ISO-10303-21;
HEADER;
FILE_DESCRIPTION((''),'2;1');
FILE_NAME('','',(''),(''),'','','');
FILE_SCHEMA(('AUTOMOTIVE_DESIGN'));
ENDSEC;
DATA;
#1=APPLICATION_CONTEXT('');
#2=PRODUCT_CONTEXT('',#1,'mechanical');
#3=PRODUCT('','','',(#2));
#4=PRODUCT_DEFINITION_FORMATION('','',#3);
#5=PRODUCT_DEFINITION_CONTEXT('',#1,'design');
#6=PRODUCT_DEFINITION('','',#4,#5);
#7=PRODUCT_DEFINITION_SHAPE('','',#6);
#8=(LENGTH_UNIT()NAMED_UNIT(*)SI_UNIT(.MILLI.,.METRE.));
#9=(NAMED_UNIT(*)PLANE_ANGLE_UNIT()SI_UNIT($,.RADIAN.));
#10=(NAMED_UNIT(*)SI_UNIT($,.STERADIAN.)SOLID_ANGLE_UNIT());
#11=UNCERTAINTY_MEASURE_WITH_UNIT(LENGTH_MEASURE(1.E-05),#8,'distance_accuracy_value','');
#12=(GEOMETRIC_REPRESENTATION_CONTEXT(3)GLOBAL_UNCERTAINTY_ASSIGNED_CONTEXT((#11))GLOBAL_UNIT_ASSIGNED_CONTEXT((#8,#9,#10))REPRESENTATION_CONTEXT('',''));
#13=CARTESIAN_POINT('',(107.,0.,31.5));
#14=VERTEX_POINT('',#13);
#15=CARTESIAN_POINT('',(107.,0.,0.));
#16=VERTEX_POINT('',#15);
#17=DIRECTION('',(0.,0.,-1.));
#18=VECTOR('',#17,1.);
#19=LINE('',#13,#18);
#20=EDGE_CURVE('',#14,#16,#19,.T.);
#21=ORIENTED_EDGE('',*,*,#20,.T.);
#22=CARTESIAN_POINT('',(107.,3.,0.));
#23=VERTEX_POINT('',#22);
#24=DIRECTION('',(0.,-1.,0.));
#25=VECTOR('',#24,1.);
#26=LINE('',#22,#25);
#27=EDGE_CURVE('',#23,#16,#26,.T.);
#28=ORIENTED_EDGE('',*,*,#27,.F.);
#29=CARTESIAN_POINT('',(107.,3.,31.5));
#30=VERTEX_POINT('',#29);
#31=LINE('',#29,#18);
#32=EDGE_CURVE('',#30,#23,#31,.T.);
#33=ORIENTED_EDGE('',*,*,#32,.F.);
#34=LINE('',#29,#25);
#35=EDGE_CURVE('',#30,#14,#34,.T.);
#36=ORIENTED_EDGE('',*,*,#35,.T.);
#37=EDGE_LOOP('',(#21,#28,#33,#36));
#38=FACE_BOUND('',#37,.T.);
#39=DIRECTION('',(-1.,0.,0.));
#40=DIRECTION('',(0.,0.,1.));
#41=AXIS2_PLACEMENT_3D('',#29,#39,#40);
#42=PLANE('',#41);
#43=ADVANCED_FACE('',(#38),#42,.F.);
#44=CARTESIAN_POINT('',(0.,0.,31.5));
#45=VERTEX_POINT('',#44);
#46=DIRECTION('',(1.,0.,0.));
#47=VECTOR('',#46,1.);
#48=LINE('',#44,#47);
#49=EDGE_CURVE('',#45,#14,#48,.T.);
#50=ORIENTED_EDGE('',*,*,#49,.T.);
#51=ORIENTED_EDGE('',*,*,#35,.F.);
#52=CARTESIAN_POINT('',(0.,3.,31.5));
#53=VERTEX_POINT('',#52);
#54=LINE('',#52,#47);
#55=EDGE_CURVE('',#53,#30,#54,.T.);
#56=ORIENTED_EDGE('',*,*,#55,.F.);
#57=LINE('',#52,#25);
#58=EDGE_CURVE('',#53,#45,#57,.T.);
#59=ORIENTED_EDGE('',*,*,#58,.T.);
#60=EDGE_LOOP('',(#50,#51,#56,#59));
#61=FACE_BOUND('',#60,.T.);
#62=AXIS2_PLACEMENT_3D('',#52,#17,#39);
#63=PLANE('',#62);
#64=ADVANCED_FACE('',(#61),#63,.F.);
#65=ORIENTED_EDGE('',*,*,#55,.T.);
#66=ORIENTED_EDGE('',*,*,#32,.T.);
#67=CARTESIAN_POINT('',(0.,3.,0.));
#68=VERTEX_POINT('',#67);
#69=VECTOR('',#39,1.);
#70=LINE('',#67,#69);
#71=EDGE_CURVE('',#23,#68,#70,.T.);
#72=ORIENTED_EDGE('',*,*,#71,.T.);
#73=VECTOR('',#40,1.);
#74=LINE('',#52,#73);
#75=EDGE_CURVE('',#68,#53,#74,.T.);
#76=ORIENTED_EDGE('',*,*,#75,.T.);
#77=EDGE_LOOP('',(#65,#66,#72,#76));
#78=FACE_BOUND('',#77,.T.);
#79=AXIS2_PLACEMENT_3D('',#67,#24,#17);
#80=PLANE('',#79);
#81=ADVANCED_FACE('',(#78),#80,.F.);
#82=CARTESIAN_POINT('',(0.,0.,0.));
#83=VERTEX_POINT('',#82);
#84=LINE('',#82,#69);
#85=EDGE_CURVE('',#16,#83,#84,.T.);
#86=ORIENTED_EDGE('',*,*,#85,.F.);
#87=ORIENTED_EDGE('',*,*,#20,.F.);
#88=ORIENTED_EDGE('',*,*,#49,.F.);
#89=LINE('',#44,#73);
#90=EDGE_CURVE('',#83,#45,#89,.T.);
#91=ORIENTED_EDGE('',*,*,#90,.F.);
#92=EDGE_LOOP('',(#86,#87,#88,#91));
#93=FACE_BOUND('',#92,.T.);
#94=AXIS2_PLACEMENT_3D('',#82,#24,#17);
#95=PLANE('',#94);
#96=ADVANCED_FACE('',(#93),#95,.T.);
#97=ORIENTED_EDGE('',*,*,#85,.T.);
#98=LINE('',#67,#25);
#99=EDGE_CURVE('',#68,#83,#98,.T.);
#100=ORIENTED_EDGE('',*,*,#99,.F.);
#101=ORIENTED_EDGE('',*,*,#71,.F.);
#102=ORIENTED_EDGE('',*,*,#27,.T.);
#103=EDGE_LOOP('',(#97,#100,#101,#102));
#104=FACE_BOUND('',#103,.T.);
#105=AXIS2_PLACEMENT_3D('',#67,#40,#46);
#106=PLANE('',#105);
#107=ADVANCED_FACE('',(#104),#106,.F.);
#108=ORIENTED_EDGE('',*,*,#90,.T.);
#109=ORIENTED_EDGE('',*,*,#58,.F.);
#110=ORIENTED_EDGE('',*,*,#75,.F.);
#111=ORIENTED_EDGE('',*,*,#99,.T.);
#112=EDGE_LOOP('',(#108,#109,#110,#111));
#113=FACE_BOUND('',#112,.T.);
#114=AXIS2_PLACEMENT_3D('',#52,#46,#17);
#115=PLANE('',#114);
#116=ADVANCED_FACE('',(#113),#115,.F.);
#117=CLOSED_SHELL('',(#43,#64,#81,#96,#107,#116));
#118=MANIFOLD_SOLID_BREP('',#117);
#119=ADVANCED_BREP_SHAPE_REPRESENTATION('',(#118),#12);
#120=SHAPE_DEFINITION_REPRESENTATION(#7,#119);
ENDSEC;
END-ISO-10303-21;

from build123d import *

# Parameters (mm, degrees)
SKETCH_1_W      = 107
SKETCH_1_H      = 31.5
EXTRUDE_1_DEPTH = 3


with BuildPart() as part:
    # Эскиз1 → Бобышка-Вытянуть1 (new body)
    with BuildSketch(Plane(origin=(0, 0, 0), x_dir=(1, 0, 0), z_dir=(0, 1, 0))):
        with Locations((53.5, -15.75)):
            Rectangle(SKETCH_1_W, SKETCH_1_H)
    extrude(amount=EXTRUDE_1_DEPTH)


solid = part.part
